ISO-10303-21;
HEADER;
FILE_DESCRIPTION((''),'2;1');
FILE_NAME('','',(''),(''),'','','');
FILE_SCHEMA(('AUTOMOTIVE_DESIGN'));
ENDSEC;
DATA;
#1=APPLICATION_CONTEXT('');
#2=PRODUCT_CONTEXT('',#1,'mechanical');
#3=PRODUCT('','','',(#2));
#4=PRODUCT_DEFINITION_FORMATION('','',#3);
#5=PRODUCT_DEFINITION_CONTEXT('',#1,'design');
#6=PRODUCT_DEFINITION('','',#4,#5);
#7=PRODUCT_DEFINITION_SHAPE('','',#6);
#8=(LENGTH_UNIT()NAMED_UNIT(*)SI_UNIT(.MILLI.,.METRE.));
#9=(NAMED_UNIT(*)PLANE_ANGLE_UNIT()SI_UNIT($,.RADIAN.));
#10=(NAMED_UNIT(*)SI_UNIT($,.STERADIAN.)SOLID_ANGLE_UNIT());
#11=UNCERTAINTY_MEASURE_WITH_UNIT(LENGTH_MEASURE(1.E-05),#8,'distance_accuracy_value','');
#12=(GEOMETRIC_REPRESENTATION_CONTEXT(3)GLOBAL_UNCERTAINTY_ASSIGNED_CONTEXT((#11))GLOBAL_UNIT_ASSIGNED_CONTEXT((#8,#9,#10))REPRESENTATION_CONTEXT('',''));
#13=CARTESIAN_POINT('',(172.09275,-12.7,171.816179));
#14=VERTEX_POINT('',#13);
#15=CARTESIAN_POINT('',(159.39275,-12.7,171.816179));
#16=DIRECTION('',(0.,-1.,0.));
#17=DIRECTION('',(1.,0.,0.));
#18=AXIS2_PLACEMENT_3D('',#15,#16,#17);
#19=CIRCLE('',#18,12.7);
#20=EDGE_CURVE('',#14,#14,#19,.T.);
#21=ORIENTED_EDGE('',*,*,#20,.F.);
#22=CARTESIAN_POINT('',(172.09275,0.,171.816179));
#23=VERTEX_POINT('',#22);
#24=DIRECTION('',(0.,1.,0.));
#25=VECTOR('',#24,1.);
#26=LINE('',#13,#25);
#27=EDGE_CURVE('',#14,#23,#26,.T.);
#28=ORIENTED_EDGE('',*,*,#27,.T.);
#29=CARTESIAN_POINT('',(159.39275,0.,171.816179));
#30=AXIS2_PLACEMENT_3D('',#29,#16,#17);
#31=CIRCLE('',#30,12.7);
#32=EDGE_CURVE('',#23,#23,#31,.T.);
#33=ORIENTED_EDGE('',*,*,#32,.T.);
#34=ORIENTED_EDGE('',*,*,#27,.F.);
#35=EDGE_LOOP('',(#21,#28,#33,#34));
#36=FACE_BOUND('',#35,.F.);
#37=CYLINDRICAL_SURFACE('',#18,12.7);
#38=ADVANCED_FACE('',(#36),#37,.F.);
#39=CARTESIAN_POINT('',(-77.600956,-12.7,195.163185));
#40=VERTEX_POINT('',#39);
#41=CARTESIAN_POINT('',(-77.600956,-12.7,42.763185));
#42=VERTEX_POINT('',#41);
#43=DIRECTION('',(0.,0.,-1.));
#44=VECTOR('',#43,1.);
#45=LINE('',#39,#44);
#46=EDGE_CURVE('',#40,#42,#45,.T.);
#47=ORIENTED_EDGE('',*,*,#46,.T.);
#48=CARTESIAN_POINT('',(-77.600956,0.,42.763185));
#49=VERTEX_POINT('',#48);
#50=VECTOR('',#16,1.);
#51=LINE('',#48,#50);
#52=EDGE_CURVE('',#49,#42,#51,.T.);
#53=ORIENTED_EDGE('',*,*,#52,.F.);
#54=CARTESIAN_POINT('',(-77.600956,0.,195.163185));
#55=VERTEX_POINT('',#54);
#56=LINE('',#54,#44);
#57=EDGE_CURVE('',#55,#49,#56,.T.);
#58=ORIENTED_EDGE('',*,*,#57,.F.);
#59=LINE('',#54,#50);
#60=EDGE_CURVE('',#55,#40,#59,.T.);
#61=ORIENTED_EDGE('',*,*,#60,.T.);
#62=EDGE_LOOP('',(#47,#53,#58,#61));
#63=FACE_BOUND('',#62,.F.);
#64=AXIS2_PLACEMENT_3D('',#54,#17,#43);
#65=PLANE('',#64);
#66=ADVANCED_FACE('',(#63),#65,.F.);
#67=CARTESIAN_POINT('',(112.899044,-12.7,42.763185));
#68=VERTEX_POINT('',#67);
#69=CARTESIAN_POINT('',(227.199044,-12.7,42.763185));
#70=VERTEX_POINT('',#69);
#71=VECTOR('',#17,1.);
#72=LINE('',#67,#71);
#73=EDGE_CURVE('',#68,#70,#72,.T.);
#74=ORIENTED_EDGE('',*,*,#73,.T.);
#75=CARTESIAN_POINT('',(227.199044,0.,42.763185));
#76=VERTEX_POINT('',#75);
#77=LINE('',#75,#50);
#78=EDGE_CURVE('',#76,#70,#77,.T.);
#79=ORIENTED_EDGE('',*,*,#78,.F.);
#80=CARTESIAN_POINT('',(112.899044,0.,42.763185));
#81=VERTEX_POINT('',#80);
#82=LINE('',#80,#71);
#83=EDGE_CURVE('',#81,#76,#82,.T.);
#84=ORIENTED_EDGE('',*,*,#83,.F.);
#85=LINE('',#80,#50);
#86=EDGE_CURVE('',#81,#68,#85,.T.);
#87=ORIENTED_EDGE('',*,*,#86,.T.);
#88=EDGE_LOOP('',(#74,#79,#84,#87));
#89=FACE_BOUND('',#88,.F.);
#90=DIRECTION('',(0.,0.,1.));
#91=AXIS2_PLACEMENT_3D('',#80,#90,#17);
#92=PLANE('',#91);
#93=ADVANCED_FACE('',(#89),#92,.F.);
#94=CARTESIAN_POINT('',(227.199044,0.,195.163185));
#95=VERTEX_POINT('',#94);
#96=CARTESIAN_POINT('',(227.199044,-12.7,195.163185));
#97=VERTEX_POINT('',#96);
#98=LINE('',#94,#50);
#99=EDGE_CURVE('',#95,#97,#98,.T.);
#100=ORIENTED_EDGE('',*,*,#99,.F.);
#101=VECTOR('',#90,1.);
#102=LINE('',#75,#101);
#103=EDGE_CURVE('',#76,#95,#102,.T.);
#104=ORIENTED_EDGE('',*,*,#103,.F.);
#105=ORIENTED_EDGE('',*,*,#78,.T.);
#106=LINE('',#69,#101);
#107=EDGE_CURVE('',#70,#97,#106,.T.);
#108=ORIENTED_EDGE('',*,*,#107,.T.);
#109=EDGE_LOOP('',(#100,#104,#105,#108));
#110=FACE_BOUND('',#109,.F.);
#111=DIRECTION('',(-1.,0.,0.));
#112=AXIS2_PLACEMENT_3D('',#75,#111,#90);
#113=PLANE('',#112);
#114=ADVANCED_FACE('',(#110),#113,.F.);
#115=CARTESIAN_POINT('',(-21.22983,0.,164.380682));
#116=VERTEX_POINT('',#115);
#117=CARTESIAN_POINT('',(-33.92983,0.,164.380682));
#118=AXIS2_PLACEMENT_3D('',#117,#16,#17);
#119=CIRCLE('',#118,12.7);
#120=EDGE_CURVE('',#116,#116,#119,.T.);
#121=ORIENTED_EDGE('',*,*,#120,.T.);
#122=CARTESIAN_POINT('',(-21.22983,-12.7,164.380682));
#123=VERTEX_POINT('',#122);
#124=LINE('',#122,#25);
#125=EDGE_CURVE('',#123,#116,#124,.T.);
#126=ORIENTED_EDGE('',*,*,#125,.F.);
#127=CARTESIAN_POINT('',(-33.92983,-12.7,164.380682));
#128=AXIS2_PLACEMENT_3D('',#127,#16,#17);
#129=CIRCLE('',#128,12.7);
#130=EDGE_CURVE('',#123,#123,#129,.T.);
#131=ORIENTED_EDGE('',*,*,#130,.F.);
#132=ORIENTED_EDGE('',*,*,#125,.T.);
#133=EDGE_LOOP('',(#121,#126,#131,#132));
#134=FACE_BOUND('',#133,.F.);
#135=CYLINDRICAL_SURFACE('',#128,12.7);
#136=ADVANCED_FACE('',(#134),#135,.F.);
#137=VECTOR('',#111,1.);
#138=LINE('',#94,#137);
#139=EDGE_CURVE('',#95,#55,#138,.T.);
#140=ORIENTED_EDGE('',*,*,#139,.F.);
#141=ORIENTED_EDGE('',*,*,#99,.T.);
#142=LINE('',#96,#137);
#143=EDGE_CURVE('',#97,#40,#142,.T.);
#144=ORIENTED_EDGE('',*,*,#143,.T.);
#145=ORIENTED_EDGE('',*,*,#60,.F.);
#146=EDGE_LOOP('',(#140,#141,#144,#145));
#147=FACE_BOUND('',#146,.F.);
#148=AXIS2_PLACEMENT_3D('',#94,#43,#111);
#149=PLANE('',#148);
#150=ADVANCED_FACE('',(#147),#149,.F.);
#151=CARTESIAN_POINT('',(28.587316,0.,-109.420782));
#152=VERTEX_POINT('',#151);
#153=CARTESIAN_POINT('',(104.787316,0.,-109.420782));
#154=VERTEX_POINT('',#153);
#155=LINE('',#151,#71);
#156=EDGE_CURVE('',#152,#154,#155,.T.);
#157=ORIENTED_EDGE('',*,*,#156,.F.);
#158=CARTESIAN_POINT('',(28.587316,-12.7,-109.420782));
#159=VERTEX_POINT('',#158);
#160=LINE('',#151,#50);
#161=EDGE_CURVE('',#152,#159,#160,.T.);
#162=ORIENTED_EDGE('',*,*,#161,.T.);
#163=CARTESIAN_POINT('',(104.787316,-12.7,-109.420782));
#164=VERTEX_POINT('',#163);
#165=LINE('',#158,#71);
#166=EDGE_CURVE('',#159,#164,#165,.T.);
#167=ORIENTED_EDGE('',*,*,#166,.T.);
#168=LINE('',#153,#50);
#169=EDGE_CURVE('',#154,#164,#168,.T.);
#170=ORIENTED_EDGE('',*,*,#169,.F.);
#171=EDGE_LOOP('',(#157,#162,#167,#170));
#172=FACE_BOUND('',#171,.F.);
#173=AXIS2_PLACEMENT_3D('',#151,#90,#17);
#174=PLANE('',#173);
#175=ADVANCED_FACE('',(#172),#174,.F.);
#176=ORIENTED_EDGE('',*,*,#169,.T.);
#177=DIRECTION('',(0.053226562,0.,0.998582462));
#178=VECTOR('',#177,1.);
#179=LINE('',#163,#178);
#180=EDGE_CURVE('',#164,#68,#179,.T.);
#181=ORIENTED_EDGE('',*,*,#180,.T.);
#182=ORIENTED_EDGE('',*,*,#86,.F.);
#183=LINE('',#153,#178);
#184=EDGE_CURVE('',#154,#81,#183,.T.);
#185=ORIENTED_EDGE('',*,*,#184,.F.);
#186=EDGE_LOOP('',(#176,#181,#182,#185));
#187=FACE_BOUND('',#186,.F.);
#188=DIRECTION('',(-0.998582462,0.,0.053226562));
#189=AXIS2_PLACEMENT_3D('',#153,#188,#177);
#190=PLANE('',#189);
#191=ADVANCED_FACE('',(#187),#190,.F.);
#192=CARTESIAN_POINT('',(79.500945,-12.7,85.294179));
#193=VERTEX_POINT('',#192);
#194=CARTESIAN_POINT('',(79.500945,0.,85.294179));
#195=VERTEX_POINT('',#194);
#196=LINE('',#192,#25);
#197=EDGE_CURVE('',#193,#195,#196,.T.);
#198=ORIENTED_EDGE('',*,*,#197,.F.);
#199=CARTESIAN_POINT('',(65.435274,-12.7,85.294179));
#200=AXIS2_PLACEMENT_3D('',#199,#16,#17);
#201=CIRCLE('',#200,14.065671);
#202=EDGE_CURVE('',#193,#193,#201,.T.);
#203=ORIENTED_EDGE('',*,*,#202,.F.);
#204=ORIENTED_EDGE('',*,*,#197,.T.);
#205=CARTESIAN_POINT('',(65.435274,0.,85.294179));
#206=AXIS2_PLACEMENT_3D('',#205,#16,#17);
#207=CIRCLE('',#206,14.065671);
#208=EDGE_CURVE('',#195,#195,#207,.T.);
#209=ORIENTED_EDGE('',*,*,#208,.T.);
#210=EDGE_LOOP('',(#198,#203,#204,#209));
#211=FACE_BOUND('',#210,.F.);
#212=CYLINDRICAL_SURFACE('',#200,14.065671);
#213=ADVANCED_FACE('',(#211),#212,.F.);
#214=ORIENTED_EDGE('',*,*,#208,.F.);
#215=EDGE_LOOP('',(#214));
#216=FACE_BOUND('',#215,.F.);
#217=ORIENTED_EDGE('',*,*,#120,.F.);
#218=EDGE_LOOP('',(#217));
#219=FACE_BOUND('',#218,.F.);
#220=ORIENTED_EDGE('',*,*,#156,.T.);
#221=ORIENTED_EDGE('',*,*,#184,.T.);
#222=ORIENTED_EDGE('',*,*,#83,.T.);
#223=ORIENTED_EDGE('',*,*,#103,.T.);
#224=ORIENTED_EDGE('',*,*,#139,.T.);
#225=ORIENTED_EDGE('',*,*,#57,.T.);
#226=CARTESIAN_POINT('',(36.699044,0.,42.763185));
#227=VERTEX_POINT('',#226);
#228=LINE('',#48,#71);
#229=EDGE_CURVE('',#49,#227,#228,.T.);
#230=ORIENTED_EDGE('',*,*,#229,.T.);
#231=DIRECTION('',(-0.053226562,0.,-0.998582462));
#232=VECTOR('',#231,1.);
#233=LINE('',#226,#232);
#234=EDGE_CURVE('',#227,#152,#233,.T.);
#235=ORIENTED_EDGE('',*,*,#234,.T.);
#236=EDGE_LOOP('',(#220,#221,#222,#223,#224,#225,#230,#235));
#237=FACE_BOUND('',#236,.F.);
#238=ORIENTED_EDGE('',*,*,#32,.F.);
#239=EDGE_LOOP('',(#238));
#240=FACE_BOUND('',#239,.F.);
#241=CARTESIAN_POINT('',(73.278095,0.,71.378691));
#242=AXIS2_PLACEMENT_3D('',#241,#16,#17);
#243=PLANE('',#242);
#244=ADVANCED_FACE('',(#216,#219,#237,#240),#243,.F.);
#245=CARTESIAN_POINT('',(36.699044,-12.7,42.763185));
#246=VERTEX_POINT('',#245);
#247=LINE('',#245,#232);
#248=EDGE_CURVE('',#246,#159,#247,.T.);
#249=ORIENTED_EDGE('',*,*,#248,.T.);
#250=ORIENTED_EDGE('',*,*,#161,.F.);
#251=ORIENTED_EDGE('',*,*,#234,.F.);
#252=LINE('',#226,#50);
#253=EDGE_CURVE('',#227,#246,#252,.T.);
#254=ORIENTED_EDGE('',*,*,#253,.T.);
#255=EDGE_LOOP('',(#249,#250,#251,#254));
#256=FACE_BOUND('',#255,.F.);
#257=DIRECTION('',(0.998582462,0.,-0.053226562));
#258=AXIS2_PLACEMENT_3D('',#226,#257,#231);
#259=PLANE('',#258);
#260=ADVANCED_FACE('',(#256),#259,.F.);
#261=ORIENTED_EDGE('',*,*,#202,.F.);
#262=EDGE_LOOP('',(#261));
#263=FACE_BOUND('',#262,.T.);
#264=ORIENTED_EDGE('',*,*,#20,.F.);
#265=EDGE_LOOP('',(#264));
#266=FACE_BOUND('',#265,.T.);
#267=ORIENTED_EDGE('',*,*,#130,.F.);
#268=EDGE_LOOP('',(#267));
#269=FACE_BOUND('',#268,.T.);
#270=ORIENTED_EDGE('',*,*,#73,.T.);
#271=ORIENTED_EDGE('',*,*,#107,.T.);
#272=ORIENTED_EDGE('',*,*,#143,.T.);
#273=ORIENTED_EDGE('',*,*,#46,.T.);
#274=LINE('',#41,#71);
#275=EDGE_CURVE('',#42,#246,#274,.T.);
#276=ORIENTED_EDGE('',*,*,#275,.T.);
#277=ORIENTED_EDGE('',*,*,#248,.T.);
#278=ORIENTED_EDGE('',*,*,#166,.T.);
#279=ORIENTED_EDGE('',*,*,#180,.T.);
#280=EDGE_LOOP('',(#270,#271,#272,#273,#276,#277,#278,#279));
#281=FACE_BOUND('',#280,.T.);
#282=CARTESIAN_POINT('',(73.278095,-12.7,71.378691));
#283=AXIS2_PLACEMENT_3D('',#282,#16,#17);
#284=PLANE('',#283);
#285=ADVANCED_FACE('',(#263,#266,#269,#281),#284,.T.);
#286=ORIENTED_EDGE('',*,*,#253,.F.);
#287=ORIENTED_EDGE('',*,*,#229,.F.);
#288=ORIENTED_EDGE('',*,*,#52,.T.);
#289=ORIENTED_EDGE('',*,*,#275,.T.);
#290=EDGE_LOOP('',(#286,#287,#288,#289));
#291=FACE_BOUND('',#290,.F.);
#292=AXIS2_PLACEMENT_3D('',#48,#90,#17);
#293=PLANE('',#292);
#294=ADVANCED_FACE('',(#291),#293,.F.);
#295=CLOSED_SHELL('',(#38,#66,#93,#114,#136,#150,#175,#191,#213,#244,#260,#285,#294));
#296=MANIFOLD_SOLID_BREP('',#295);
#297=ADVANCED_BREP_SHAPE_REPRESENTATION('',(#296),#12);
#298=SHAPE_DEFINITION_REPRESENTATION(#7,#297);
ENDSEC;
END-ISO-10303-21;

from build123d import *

# Parameters (mm, degrees)
F1_DEPTH = 12.7
F2_R     = 12.7
F2_R_2   = 14.065671
F3_DEPTH = 61.214


with BuildPart() as f1:
    # F0 (on Front) → F1 (new body)
    with BuildSketch(Plane.XZ):
        Polygon((-77.600956, 42.763185), (36.699044, 42.763185), (28.587316, -109.420782), (104.787316, -109.420782), (112.899044, 42.763185), (227.199044, 42.763185), (227.199044, 195.163185), (-77.600956, 195.163185), align=None)
    extrude(amount=F1_DEPTH)

    # F2 (on face) → F3 (cut)
    with BuildSketch(Plane.XZ.offset(12.7)):
        with Locations((-33.92983, 164.380682)):
            Circle(F2_R)
        with Locations((65.435274, 85.294179)):
            Circle(F2_R_2)
        with Locations((159.39275, 171.816179)):
            Circle(F2_R)
    extrude(amount=-F3_DEPTH, mode=Mode.SUBTRACT)


solid = f1.part
